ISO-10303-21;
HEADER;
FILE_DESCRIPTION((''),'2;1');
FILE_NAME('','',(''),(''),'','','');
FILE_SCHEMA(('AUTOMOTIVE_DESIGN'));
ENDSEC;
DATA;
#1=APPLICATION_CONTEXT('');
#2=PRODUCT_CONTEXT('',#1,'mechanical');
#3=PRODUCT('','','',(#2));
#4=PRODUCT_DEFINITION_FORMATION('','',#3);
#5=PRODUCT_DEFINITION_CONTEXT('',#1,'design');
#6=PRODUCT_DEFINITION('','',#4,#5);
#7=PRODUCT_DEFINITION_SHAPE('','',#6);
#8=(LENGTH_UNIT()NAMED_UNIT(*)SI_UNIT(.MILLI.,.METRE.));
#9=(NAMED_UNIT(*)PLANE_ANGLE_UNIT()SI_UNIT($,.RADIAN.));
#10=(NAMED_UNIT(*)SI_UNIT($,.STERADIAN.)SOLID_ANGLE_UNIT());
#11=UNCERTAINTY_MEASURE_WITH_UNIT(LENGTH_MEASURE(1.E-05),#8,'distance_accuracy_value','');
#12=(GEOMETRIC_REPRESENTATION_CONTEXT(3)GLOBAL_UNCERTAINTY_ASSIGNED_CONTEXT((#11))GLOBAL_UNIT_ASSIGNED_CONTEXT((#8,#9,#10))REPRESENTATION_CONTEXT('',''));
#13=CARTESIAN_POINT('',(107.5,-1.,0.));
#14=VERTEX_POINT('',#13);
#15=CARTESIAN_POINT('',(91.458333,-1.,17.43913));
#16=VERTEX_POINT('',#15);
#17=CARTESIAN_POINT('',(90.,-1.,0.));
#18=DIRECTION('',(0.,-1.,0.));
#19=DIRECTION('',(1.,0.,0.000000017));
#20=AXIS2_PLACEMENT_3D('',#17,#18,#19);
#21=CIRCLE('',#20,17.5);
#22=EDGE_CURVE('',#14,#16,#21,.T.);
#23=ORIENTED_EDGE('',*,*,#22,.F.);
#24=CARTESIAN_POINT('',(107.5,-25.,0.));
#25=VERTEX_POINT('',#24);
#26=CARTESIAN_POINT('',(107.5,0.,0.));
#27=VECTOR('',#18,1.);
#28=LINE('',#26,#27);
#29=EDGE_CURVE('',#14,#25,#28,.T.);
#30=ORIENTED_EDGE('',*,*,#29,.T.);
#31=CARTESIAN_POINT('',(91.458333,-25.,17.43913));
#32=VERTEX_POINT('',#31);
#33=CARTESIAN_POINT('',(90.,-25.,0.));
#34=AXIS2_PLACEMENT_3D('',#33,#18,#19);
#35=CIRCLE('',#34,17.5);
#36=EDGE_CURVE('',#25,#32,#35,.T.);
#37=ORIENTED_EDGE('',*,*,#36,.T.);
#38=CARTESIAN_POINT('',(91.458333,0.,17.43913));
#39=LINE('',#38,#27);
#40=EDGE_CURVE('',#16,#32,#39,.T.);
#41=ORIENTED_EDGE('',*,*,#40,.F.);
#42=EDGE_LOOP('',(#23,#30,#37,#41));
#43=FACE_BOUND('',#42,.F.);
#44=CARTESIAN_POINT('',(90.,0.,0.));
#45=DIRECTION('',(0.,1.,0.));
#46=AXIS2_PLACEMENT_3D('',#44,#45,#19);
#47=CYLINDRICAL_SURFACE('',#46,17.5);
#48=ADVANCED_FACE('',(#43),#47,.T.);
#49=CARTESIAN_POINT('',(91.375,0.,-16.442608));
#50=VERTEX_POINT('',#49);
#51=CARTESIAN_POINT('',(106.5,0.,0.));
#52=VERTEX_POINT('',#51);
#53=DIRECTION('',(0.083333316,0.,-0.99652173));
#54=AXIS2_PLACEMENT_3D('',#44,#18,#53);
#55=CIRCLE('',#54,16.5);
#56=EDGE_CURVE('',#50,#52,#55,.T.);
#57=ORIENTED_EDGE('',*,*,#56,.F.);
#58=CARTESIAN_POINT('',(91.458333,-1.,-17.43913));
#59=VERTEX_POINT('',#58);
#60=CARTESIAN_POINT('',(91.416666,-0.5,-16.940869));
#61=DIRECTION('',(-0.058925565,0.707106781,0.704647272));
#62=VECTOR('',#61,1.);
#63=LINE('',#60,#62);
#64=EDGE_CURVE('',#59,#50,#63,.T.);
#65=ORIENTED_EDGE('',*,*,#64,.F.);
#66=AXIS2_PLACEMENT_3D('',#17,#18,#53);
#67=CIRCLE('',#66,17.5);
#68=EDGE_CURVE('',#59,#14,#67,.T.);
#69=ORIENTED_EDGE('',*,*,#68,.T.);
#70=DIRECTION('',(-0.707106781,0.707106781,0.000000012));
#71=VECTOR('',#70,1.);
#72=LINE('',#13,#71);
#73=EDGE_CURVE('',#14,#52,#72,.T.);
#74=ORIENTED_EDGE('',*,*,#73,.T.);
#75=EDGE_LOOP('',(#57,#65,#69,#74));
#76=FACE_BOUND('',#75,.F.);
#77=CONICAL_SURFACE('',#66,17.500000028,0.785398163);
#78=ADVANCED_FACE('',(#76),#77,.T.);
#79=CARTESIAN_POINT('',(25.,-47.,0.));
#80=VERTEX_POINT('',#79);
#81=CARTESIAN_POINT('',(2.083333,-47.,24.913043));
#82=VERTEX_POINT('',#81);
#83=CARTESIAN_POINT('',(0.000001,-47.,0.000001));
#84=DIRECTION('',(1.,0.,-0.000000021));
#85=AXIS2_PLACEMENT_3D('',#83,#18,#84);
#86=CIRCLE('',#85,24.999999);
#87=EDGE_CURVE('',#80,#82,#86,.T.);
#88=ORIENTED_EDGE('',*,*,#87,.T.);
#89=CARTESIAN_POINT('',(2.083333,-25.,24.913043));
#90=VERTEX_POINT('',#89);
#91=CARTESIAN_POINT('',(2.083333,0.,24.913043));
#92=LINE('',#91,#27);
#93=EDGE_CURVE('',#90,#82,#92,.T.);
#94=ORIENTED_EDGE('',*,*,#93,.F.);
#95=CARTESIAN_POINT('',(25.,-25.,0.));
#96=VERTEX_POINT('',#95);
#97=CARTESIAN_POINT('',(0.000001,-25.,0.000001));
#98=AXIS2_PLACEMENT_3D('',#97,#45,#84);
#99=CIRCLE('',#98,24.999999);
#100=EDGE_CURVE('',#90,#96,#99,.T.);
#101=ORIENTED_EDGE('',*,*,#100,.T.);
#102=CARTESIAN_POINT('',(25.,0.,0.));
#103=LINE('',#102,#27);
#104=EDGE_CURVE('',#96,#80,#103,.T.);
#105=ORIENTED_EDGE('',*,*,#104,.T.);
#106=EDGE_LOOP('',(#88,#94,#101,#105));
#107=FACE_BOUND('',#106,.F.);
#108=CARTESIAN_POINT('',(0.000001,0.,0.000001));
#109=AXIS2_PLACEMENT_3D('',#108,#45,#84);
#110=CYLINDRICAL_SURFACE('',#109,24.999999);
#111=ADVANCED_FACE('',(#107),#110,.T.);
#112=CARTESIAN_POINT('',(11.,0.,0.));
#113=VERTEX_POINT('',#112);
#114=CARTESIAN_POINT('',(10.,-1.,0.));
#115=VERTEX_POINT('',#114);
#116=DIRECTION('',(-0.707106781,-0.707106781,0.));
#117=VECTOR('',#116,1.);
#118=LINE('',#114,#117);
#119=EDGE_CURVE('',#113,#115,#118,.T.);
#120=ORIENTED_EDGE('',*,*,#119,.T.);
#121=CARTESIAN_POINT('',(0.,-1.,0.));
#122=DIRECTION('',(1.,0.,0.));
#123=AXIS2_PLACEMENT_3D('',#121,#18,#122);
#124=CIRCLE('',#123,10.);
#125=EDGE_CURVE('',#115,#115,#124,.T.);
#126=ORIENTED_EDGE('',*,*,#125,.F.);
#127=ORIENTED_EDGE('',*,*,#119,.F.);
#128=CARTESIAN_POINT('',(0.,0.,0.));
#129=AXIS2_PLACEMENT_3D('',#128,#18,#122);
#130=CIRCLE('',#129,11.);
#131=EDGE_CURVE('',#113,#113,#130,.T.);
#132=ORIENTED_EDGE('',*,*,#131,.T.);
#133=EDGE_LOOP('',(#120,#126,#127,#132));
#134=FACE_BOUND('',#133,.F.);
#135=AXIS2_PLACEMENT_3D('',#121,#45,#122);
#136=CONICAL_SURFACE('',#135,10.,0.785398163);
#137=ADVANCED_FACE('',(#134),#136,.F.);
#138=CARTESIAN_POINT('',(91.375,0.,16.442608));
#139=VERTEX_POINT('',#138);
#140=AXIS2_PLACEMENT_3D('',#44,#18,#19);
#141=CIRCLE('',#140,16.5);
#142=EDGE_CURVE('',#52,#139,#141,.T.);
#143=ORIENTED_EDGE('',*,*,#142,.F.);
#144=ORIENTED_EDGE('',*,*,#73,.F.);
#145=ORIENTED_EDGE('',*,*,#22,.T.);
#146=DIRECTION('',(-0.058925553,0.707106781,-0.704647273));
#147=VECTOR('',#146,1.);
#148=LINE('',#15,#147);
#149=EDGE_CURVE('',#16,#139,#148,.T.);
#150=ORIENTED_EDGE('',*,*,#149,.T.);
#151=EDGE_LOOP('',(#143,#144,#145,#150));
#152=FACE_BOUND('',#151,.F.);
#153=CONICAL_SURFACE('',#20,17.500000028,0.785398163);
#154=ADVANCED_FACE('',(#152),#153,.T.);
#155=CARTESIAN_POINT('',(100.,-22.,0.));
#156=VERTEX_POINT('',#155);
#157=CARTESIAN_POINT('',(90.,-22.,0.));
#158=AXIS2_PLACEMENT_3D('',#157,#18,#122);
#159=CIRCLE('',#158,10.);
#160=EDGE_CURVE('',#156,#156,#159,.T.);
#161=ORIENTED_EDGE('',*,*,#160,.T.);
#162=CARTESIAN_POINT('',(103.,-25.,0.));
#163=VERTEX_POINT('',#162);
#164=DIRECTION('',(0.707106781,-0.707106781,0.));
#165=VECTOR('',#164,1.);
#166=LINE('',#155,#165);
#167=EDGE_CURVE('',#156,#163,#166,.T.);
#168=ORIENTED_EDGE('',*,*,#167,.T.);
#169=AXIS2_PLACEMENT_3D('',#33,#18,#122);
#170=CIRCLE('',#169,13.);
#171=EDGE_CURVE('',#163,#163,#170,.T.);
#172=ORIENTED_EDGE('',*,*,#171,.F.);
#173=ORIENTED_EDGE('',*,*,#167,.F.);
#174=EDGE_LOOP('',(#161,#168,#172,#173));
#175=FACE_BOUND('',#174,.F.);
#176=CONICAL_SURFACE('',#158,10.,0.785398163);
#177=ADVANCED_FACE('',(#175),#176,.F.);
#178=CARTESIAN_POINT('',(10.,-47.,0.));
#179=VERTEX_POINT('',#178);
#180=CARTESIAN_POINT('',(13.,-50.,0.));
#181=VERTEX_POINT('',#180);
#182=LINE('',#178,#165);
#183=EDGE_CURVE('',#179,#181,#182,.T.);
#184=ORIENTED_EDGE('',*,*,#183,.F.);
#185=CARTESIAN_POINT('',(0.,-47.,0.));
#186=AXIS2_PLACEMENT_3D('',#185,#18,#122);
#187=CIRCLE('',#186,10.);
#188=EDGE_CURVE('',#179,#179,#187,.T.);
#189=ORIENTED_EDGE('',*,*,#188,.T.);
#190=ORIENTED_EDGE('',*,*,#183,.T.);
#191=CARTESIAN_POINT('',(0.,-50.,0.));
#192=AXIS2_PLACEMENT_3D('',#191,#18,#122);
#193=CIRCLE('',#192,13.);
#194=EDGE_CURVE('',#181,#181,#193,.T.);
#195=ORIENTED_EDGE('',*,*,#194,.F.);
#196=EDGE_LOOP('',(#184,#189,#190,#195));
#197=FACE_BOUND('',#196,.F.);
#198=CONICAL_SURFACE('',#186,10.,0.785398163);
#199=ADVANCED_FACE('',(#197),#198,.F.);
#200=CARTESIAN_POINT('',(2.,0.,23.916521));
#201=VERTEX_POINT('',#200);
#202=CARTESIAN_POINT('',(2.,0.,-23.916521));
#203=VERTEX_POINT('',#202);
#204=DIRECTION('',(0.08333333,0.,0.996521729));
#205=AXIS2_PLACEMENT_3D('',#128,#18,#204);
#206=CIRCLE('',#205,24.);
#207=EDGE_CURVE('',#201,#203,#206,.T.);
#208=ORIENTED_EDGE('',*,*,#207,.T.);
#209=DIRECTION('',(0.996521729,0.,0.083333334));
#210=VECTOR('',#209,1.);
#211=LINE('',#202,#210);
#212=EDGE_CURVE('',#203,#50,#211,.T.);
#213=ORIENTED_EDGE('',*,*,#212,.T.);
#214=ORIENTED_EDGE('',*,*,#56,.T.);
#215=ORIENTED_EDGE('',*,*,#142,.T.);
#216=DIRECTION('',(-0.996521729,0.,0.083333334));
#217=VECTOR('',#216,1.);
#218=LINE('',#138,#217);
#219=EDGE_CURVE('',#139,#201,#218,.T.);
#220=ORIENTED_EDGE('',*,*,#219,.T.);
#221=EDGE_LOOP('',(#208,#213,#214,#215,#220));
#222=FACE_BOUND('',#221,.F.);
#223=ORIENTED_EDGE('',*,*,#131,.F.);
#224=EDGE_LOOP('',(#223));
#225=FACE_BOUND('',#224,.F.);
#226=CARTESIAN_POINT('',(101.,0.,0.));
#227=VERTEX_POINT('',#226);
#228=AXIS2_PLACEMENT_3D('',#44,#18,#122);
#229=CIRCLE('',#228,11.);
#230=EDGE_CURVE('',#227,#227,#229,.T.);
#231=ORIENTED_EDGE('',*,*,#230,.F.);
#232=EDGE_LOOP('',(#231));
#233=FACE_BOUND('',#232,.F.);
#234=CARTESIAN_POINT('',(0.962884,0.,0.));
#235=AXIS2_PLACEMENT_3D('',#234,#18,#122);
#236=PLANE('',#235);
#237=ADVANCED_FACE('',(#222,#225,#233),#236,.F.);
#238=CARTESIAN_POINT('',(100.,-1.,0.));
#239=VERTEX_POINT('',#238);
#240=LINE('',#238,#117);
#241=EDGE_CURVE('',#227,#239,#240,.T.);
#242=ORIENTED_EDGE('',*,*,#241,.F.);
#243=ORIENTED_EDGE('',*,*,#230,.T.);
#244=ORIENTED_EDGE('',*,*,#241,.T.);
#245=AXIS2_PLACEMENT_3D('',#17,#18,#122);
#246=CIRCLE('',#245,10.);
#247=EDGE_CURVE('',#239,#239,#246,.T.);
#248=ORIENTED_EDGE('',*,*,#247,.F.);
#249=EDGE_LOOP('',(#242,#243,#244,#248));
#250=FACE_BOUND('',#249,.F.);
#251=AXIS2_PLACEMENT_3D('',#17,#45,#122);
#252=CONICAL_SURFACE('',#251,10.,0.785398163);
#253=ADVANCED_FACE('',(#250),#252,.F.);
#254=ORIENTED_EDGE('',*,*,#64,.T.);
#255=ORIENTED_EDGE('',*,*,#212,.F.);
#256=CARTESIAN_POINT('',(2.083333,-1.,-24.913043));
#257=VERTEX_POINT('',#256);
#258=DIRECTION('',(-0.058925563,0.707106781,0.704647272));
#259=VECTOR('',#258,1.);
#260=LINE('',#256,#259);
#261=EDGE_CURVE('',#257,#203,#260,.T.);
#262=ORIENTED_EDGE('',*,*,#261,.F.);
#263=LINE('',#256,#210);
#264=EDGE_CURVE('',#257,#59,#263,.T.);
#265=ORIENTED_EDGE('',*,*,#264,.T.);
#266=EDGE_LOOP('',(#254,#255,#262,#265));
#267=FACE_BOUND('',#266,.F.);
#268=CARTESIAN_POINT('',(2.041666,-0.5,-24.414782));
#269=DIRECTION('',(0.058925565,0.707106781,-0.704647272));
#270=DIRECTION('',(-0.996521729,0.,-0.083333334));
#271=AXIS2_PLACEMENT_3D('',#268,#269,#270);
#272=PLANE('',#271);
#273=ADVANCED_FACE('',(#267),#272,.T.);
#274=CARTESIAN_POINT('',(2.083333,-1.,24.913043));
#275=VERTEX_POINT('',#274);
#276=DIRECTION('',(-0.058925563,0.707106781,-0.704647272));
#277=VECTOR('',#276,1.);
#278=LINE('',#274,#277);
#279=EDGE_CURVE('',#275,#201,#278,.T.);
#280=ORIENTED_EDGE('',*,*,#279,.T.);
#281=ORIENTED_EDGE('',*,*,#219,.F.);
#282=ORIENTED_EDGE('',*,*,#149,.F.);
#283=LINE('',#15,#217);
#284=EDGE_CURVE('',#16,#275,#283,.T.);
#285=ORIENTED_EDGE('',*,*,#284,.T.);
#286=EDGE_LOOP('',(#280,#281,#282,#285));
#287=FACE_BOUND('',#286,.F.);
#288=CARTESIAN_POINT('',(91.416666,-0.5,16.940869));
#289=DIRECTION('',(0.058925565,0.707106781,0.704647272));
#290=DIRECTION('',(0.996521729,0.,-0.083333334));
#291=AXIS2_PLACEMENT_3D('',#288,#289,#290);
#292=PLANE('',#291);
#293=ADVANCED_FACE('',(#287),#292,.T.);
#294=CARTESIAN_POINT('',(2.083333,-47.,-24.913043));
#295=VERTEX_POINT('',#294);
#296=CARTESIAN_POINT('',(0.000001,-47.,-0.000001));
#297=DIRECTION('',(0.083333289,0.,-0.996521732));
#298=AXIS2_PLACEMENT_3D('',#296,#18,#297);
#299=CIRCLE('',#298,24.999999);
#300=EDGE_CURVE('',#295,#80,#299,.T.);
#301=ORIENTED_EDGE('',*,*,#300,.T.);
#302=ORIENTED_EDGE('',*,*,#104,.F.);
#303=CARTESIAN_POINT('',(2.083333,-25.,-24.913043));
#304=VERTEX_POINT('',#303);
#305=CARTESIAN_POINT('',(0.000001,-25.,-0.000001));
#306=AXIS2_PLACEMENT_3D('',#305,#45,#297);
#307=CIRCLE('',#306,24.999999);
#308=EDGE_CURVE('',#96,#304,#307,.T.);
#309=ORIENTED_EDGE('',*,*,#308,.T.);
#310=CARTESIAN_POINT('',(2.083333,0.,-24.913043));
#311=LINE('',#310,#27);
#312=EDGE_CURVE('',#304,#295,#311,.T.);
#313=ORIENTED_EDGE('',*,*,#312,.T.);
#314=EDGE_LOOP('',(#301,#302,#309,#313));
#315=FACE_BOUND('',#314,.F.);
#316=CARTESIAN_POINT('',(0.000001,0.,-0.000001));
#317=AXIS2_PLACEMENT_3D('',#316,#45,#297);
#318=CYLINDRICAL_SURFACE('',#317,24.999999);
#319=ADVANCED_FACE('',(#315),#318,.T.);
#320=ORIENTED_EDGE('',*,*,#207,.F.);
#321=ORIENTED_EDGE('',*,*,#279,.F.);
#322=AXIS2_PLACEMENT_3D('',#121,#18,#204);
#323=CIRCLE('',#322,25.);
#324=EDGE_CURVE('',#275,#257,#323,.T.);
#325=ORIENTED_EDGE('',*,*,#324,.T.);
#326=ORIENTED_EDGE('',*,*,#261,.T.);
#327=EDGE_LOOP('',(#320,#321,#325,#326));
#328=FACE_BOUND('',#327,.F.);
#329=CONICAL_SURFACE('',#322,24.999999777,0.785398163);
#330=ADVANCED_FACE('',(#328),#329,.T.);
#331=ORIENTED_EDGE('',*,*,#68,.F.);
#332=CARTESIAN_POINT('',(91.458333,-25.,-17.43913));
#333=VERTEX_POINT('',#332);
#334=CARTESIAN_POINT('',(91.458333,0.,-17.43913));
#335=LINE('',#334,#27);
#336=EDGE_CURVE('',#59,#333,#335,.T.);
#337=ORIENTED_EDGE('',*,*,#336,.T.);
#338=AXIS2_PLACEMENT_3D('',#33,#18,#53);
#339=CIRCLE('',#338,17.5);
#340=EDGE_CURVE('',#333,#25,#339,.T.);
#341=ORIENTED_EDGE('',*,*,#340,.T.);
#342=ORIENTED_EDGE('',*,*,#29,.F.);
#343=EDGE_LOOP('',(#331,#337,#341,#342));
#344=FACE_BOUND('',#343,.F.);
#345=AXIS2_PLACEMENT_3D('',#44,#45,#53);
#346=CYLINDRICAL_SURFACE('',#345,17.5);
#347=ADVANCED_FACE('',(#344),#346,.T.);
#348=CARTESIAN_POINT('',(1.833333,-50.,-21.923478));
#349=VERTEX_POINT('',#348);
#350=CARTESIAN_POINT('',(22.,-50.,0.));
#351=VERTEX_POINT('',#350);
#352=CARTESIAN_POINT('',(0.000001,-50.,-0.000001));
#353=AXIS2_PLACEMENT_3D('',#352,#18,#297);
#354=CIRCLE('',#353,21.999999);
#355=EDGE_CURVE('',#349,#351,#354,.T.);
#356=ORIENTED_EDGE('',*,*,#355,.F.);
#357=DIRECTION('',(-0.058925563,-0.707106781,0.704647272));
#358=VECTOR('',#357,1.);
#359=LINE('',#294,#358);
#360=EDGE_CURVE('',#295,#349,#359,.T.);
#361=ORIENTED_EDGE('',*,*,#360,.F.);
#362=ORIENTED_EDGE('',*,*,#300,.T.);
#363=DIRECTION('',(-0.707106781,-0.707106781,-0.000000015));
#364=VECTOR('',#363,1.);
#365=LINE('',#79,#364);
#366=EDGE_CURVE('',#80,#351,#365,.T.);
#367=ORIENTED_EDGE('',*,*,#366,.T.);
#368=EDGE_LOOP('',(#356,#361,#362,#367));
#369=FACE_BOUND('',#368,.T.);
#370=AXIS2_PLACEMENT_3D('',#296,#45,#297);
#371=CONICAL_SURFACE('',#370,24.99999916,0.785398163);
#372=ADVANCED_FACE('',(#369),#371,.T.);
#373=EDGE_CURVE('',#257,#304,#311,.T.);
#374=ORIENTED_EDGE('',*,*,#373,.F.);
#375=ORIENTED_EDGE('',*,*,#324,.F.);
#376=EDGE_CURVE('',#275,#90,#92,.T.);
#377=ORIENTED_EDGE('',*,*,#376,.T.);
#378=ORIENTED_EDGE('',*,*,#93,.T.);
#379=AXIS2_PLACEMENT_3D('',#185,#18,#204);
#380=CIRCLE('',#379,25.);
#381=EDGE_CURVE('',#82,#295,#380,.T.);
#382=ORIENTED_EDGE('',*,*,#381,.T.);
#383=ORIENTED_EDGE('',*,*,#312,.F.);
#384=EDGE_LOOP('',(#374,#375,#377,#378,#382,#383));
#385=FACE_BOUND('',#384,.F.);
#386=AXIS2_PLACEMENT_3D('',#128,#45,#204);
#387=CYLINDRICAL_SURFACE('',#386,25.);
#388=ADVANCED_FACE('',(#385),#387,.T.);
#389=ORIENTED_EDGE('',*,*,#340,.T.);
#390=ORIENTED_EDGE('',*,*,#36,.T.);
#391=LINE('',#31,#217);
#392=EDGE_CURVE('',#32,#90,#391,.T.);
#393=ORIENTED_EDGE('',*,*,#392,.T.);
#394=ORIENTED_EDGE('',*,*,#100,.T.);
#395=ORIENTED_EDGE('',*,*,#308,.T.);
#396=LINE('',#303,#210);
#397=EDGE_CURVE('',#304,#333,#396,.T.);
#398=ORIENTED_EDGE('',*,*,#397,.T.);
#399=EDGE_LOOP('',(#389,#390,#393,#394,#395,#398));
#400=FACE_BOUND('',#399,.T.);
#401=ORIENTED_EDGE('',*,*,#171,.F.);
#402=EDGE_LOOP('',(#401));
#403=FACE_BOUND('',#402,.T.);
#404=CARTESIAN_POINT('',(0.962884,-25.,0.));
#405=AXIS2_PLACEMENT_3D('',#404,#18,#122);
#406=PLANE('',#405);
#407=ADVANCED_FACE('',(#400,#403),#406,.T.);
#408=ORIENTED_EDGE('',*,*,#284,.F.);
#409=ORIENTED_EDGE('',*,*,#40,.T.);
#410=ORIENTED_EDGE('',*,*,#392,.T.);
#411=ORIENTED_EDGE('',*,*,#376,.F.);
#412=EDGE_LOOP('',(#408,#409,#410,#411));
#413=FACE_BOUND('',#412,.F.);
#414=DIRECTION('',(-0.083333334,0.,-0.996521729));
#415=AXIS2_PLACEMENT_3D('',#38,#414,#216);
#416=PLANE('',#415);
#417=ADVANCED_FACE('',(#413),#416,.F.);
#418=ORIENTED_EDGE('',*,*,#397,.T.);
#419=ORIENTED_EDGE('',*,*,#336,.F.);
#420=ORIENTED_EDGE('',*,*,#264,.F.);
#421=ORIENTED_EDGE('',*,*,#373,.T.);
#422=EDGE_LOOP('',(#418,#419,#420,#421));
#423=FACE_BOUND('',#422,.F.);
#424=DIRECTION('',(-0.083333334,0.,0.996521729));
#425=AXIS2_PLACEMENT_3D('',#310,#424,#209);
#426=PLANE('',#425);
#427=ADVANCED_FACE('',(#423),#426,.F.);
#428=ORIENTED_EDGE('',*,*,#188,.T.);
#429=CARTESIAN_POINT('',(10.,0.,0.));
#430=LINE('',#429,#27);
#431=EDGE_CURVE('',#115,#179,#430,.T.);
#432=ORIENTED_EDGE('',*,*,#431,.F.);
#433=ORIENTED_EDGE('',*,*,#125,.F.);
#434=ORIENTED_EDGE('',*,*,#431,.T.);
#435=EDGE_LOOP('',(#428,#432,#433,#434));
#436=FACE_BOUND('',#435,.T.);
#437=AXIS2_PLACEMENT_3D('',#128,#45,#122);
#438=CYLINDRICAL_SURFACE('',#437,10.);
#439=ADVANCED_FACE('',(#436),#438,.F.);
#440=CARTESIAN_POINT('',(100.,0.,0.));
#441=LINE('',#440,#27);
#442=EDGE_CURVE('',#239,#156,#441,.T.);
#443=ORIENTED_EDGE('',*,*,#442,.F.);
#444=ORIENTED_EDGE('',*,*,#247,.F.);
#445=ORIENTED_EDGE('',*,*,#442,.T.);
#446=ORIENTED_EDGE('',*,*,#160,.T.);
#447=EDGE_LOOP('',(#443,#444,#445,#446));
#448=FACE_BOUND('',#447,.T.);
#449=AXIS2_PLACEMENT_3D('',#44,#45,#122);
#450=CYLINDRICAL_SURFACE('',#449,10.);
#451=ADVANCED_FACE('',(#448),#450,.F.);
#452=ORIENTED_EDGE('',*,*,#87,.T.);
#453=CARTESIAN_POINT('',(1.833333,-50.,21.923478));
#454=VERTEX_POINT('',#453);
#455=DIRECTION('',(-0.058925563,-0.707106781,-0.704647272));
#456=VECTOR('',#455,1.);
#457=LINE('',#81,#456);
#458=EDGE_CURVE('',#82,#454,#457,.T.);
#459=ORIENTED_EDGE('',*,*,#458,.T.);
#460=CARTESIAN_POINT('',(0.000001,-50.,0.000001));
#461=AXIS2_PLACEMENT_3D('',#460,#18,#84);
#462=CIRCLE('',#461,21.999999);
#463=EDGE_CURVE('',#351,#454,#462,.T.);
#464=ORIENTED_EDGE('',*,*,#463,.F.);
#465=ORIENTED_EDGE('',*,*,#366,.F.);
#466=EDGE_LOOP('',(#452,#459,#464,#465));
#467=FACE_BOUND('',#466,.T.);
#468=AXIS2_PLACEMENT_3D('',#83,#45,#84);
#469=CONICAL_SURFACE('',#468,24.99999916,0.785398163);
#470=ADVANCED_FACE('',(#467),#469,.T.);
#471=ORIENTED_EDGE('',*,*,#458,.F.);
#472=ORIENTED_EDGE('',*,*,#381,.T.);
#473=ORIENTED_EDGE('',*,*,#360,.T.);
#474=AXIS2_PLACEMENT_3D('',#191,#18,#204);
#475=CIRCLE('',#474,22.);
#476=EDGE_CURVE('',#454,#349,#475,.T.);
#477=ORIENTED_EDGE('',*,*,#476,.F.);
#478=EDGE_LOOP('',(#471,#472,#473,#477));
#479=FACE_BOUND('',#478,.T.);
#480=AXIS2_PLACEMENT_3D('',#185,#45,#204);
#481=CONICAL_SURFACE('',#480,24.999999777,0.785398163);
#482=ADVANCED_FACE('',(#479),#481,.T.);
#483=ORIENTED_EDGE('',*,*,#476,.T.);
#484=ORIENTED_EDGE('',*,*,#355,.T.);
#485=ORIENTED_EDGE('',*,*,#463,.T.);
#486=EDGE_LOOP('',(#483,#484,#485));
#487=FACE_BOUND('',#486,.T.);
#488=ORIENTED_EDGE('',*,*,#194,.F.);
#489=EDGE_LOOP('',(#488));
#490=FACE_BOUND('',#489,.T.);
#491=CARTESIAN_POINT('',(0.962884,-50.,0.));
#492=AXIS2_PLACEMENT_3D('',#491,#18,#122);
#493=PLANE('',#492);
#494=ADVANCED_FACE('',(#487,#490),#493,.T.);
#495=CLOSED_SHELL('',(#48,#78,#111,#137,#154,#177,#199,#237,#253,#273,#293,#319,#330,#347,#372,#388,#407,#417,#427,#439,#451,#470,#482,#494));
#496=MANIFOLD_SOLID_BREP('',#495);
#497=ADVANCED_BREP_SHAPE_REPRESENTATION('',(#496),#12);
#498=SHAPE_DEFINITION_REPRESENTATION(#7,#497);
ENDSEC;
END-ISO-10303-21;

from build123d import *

# Parameters (mm, degrees)
F0_R     = 10
F1_DEPTH = 25
F2_DEPTH = 50
F3_SIZE  = 3
F4_SIZE  = 1


with BuildPart() as f1:
    # F0 (on Front) → F1 (new body)
    with BuildSketch(Plane.XZ):
        with BuildLine():
            ThreePointArc((2.083333, -24.913043), (18.399502, -16.92508), (25, 0))
            ThreePointArc((25, 0), (18.399502, 16.92508), (2.083333, 24.913043))
            ThreePointArc((2.083333, 24.913043), (-25, 0), (2.083333, -24.913043))
        make_face()
        Circle(F0_R, mode=Mode.SUBTRACT)
        with BuildLine():
            ThreePointArc((2.083333, 24.913043), (18.399502, 16.92508), (25, 0))
            ThreePointArc((25, 0), (18.399502, -16.92508), (2.083333, -24.913043))
            Line((2.083333, -24.913043), (91.458333, -17.43913))
            ThreePointArc((91.458333, -17.43913), (72.5, 0), (91.458333, 17.43913))
            Line((91.458333, 17.43913), (2.083333, 24.913043))
        make_face()
        with BuildLine():
            ThreePointArc((107.5, 0), (102.879651, 11.847556), (91.458333, 17.43913))
            ThreePointArc((91.458333, 17.43913), (72.5, 0), (91.458333, -17.43913))
            ThreePointArc((91.458333, -17.43913), (102.879651, -11.847556), (107.5, 0))
        make_face()
        with Locations((90, 0)):
            Circle(F0_R, mode=Mode.SUBTRACT)
    extrude(amount=F1_DEPTH)

    # F0 (on Front) → F2 (join)
    with BuildSketch(Plane.XZ):
        with BuildLine():
            ThreePointArc((2.083333, -24.913043), (18.399502, -16.92508), (25, 0))
            ThreePointArc((25, 0), (18.399502, 16.92508), (2.083333, 24.913043))
            ThreePointArc((2.083333, 24.913043), (-25, 0), (2.083333, -24.913043))
        make_face()
        Circle(F0_R, mode=Mode.SUBTRACT)
    extrude(amount=F2_DEPTH)

    # F3
    f3_edges = [f1.edges().sort_by_distance(p)[0] for p in [
        (-2.083333, -50, 24.913043),
        (-10, -50, 0),
        (80, -25, 0),
    ]]
    chamfer(f3_edges, length=F3_SIZE)

    # F4
    f4_edges = [f1.edges().sort_by_distance(p)[0] for p in [
        (-25, 0, 0),
        (46.770833, 0, -21.176087),
        (107.5, 0, 0),
        (46.770833, 0, 21.176087),
        (-10, 0, 0),
        (80, 0, 0),
    ]]
    chamfer(f4_edges, length=F4_SIZE)


solid = f1.part
